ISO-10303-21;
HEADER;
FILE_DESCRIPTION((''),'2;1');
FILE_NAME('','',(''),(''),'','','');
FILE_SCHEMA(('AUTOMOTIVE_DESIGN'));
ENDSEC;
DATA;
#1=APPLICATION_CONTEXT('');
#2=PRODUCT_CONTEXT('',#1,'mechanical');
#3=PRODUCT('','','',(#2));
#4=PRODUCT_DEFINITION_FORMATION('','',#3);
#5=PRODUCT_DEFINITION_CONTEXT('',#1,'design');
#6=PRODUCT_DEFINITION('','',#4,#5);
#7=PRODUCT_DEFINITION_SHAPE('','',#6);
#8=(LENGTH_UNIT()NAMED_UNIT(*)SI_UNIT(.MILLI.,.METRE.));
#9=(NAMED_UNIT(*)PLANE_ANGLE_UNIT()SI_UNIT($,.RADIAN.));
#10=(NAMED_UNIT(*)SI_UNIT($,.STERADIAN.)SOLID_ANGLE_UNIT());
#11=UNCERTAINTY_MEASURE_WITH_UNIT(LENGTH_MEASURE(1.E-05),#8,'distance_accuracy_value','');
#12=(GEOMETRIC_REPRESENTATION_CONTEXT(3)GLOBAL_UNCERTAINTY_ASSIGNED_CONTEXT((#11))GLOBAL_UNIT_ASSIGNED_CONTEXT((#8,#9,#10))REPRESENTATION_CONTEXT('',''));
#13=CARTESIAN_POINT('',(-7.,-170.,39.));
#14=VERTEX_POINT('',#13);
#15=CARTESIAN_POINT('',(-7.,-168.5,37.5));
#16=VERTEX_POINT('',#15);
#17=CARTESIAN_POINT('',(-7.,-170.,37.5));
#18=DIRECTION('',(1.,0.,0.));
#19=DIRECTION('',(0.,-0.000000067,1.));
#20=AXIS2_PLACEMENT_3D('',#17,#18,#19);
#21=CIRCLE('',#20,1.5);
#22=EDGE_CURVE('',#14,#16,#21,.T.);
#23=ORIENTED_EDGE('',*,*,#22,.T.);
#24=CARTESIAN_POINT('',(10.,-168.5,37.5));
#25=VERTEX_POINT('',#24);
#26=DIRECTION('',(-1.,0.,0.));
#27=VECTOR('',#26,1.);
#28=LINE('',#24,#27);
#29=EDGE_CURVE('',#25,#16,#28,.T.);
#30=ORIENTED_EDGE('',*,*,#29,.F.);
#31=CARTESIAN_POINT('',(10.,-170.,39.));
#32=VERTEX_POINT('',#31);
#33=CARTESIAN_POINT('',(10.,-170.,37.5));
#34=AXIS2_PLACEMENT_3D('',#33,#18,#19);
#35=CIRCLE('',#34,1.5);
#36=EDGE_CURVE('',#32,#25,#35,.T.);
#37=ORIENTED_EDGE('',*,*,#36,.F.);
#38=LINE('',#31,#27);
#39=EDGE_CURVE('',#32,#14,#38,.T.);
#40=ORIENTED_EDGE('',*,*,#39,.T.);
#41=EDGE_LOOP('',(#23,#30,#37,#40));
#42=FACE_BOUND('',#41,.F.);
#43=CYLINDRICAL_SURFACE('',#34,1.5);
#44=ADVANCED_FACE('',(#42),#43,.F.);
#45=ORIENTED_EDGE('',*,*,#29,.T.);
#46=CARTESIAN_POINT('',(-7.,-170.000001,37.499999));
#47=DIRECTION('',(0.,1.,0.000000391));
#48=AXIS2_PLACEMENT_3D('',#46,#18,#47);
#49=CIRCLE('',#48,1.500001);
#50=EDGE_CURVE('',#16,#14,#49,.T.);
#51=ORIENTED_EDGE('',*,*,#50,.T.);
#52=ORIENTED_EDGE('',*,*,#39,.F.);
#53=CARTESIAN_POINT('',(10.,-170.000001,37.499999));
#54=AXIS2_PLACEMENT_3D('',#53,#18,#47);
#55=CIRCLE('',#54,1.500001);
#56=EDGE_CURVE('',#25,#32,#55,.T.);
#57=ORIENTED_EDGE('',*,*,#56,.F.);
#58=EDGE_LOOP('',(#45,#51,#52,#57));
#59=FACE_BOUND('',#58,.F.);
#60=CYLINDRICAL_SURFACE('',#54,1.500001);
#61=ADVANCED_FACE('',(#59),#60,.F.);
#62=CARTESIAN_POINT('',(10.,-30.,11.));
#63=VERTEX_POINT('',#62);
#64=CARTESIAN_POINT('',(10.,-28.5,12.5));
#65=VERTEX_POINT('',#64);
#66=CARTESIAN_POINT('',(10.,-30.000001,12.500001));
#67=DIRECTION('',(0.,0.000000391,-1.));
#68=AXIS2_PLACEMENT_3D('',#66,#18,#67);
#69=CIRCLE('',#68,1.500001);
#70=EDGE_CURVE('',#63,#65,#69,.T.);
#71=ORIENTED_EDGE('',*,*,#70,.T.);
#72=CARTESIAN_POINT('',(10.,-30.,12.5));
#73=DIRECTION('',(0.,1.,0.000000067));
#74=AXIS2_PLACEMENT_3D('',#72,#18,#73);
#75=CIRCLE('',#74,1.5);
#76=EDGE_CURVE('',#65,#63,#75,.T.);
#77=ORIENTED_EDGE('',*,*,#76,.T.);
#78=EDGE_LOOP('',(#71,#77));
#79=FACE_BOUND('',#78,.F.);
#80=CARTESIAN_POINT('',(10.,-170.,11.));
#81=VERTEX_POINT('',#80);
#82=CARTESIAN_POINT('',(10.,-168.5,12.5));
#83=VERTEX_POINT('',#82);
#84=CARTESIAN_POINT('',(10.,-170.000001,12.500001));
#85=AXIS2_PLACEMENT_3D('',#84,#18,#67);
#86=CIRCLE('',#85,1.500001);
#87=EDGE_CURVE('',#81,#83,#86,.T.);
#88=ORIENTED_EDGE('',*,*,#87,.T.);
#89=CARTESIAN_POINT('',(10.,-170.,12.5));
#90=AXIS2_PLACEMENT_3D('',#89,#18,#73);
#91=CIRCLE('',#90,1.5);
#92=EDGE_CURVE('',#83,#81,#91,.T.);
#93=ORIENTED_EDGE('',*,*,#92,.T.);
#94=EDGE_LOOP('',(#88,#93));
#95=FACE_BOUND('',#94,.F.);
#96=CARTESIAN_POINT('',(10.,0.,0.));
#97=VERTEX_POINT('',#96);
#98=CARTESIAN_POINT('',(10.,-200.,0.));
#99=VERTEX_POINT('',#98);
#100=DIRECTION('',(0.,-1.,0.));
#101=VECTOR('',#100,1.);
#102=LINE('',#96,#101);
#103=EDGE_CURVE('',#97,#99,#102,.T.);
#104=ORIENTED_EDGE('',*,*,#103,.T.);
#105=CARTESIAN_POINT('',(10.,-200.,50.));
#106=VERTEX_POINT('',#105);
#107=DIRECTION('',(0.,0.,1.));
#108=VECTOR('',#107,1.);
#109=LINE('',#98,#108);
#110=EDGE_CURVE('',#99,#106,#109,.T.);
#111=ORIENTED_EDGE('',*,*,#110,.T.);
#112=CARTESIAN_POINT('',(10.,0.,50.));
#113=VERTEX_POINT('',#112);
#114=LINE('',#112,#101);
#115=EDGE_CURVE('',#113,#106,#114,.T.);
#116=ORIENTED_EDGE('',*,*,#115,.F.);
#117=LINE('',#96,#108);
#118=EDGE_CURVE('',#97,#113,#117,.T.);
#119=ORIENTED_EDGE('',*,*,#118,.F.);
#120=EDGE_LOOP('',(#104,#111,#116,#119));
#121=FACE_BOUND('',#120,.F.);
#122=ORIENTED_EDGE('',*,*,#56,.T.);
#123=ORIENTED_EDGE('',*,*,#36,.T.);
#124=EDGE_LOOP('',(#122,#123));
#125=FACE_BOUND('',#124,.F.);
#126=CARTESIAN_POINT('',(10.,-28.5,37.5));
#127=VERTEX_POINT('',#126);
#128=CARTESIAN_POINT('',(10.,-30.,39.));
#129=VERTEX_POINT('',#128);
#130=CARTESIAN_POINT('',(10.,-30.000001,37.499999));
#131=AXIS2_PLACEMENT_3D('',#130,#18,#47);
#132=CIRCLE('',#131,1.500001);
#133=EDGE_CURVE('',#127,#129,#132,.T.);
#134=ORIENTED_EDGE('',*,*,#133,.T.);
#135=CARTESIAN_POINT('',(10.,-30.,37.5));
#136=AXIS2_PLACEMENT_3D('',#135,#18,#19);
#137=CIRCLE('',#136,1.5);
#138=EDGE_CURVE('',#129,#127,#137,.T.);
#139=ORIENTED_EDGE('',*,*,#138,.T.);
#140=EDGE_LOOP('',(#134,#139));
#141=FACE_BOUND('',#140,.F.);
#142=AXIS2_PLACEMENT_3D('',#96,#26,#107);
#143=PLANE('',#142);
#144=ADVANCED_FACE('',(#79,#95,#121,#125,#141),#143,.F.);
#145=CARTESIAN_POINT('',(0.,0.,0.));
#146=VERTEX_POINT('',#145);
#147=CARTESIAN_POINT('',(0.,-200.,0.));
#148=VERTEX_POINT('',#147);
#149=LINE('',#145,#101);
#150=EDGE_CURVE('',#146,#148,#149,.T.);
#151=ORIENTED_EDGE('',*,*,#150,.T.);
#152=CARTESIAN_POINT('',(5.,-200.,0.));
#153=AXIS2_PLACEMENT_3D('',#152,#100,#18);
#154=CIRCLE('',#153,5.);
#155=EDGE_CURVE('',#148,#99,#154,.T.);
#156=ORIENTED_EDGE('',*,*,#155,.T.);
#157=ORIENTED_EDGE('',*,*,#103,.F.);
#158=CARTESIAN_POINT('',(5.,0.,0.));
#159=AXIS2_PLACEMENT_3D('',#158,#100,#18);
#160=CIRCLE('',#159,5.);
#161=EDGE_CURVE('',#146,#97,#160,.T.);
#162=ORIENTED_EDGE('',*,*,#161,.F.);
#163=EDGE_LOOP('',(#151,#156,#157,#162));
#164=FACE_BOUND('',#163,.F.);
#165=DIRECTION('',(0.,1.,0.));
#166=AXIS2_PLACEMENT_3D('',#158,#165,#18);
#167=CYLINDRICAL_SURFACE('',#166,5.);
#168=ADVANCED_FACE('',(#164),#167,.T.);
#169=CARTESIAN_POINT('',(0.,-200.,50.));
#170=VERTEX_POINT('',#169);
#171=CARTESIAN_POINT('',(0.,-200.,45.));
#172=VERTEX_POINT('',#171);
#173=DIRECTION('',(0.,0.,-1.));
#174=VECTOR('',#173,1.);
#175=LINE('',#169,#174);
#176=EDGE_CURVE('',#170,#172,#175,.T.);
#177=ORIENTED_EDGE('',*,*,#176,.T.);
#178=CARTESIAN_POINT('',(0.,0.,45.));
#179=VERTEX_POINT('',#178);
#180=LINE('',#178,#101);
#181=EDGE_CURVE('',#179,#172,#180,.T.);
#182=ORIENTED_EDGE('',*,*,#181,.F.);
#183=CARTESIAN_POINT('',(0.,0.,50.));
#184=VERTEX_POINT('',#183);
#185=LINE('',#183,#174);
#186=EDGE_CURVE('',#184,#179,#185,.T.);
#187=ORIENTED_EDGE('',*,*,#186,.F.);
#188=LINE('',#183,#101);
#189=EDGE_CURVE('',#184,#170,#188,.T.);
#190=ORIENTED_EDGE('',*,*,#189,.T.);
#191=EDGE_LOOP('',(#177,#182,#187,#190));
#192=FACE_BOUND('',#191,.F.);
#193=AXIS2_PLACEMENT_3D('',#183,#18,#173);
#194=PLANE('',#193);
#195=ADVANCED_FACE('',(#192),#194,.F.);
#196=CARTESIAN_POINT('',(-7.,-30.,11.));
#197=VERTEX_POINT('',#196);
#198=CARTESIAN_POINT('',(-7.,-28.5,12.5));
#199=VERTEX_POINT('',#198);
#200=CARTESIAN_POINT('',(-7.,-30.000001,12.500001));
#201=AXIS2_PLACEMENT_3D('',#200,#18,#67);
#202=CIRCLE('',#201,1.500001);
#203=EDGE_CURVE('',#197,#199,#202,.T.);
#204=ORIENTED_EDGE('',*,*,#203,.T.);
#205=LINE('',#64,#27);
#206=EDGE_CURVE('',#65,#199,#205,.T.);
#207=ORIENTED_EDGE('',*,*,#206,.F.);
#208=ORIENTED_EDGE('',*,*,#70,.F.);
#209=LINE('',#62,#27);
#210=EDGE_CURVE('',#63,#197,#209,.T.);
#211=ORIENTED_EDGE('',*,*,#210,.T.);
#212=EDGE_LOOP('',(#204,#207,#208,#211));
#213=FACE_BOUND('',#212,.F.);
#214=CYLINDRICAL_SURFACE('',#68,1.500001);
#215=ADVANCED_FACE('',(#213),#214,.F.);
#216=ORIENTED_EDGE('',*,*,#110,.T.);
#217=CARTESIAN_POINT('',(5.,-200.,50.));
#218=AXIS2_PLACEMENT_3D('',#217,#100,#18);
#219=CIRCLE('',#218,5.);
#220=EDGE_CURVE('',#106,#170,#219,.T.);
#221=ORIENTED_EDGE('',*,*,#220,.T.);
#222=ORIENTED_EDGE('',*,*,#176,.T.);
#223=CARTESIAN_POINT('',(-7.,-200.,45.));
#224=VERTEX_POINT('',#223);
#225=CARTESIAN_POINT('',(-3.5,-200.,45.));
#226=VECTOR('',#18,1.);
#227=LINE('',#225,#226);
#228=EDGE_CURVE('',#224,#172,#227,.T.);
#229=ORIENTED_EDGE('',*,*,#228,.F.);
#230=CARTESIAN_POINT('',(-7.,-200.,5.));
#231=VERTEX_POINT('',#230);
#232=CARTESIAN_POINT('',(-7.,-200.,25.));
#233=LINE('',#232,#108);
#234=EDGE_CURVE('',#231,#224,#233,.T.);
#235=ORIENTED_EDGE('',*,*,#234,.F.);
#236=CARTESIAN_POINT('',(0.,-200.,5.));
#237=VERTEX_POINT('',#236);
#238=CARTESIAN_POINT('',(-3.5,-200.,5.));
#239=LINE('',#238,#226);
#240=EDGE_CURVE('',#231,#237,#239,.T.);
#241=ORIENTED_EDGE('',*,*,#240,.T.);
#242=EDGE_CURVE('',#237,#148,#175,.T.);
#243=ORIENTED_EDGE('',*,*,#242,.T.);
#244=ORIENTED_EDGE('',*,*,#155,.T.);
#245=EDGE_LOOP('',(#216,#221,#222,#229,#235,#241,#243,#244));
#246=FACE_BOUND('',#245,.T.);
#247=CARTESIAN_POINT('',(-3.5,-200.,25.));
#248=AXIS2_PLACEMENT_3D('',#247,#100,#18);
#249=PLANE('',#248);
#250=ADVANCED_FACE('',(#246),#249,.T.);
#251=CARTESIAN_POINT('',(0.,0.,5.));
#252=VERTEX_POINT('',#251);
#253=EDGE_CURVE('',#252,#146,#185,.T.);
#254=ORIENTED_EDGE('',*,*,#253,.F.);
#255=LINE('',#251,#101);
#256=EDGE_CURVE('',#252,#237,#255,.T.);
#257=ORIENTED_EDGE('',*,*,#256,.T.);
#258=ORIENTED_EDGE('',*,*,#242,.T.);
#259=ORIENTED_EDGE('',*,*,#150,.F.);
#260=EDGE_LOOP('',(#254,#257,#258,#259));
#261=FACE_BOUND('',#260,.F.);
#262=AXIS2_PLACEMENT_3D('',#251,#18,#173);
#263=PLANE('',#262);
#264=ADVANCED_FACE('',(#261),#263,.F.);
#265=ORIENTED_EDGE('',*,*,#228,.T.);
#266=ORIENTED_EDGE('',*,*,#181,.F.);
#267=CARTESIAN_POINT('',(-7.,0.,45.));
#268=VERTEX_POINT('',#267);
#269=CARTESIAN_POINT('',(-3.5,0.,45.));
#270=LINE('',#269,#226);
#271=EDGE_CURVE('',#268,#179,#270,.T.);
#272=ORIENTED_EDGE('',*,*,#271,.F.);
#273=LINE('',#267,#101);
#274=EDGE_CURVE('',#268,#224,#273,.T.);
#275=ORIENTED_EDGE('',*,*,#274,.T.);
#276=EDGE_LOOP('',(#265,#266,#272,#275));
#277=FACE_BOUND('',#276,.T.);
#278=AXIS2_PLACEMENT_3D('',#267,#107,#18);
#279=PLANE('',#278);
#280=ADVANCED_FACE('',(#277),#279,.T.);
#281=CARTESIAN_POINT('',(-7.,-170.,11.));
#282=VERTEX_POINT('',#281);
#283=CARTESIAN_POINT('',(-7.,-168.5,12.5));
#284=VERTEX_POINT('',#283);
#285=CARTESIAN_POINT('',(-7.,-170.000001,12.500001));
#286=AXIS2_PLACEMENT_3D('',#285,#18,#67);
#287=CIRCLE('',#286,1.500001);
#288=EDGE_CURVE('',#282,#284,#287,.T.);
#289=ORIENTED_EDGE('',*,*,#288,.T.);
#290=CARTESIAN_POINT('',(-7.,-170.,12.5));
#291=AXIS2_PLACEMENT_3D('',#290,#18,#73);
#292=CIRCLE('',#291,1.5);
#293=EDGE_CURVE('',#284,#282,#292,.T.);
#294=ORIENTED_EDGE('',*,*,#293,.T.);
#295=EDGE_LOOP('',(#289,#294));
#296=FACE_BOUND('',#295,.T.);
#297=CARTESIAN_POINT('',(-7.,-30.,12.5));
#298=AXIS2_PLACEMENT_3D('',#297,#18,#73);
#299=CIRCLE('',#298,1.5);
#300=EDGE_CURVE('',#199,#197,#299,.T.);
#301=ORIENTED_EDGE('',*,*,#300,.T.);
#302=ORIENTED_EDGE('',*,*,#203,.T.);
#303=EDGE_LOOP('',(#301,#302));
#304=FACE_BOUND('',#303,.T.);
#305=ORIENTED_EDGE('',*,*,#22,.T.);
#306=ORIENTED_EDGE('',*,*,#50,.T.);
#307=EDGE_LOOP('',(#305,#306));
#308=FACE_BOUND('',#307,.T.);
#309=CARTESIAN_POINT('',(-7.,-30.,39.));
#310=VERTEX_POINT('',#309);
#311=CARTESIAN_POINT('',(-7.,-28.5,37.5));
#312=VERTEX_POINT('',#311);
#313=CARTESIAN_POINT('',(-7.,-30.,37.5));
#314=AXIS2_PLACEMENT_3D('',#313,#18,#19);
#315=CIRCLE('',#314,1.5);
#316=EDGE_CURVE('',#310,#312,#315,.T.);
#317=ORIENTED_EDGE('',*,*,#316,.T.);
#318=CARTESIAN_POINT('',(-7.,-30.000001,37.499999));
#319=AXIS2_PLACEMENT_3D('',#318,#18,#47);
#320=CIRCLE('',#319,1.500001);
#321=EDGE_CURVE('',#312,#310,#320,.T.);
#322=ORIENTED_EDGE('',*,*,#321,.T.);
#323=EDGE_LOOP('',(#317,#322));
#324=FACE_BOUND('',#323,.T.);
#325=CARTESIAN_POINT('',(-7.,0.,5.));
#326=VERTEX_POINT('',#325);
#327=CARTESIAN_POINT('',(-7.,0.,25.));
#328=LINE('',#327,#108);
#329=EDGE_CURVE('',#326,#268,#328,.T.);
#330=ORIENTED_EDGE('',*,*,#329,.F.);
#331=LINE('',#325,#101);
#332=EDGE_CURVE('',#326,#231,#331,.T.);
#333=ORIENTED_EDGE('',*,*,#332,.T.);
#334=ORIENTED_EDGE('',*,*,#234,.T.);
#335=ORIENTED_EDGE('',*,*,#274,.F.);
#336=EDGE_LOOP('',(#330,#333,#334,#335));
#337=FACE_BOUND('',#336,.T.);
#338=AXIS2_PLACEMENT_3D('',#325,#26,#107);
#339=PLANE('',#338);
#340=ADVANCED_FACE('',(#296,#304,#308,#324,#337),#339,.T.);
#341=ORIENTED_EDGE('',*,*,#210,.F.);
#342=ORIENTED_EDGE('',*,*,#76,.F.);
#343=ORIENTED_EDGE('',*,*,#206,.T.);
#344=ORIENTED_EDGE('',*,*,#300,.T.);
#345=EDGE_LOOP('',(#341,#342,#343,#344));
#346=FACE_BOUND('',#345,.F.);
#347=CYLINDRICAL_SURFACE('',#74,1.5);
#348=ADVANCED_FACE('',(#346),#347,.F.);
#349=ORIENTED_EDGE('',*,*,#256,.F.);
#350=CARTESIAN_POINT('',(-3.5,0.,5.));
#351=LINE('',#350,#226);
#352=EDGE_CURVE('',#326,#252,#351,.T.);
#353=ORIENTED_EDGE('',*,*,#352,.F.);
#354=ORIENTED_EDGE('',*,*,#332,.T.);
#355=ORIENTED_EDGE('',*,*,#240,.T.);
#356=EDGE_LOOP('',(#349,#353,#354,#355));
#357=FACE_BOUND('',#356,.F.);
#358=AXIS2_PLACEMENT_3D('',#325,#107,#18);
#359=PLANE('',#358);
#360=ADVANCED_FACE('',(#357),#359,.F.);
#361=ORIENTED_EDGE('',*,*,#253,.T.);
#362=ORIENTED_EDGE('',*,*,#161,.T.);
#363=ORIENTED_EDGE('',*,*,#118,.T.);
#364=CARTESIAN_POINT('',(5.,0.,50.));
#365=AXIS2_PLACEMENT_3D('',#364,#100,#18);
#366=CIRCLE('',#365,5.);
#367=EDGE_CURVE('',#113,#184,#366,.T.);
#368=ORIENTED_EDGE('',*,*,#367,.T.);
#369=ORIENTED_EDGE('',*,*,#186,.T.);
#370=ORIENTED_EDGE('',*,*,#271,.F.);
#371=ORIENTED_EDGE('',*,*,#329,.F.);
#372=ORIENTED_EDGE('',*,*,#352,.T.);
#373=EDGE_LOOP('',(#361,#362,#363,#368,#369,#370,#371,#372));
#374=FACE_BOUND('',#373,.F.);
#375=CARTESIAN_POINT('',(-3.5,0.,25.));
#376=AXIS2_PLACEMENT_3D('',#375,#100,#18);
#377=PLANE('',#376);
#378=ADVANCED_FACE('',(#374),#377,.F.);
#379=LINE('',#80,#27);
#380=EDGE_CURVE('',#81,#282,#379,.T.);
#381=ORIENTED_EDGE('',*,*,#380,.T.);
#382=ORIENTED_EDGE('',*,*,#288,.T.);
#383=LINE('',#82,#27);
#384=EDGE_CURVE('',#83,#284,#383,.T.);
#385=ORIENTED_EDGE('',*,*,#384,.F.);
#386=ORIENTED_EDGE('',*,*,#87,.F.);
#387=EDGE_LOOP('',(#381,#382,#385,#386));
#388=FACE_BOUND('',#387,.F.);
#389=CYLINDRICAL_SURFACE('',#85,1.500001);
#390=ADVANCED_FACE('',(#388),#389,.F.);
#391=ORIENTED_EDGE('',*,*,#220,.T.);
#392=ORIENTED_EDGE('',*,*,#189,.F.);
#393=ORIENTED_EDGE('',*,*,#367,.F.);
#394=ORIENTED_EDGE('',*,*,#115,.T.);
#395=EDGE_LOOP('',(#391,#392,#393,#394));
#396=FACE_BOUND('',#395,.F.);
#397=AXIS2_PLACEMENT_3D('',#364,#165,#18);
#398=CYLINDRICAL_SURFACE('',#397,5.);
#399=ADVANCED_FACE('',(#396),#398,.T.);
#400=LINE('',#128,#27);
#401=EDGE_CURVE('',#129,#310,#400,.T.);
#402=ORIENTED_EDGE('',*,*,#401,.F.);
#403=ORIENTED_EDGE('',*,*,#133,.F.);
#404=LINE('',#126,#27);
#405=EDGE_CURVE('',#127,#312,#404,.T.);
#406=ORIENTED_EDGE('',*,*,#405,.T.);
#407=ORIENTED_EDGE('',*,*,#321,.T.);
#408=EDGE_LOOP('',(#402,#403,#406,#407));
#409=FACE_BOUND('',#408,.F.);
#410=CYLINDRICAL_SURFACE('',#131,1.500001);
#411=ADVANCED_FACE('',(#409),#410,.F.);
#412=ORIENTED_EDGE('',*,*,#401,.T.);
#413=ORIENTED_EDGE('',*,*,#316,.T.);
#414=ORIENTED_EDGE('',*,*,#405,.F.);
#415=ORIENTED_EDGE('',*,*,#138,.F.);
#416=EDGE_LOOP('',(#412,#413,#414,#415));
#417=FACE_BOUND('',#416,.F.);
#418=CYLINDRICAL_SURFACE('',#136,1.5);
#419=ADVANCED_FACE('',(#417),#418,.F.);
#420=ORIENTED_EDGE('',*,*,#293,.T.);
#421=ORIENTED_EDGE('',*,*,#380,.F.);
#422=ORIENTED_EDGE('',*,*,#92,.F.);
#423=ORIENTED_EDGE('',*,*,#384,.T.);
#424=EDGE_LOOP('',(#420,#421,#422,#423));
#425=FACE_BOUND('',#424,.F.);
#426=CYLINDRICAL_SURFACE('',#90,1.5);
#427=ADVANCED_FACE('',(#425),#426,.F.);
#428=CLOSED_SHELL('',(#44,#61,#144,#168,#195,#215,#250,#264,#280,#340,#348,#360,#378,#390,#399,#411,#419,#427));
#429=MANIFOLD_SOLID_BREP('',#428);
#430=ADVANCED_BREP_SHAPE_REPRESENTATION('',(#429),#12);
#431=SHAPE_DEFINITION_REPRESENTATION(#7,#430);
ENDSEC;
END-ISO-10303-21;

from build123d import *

# Parameters (mm, degrees)
F0_W     = 7
F0_H     = 40
F1_DEPTH = 200
F3_DEPTH = 25


with BuildPart() as f1:
    # F0 (on Front) → F1 (new body)
    with BuildSketch(Plane.XZ):
        with Locations((-3.5, 25)):
            Rectangle(F0_W, F0_H)
        with BuildLine():
            Line((10, 0), (0, 0))
            ThreePointArc((0, 0), (5, -5), (10, 0))
        make_face()
        with BuildLine():
            ThreePointArc((10, 0), (5, 5), (0, 0))
            Line((0, 0), (10, 0))
        make_face()
        with BuildLine():
            ThreePointArc((0, 50), (5, 45), (10, 50))
            Line((10, 50), (0, 50))
        make_face()
        with BuildLine():
            Line((0, 50), (10, 50))
            ThreePointArc((10, 50), (5, 55), (0, 50))
        make_face()
        with BuildLine():
            Line((0, 5), (0, 0))
            ThreePointArc((0, 0), (5, 5), (10, 0))
            Line((10, 0), (10, 50))
            ThreePointArc((10, 50), (5, 45), (0, 50))
            Line((0, 50), (0, 45))
            Line((0, 45), (0, 5))
        make_face()
    extrude(amount=F1_DEPTH)

    # F2 (on face) → F3 (cut)
    with BuildSketch(Plane.YZ.offset(10)):
        with BuildLine():
            ThreePointArc((-168.5, 37.5), (-168.93934, 38.56066), (-170, 39))
            ThreePointArc((-170, 39), (-171.06066, 36.43934), (-168.5, 37.5))
        make_face()
        with BuildLine():
            ThreePointArc((-168.5, 12.5), (-171.06066, 13.56066), (-170, 11))
            ThreePointArc((-170, 11), (-168.93934, 11.43934), (-168.5, 12.5))
        make_face()
        with BuildLine():
            ThreePointArc((-28.5, 12.5), (-31.06066, 13.56066), (-30, 11))
            ThreePointArc((-30, 11), (-28.93934, 11.43934), (-28.5, 12.5))
        make_face()
        with BuildLine():
            ThreePointArc((-28.5, 37.5), (-28.93934, 38.56066), (-30, 39))
            ThreePointArc((-30, 39), (-31.06066, 36.43934), (-28.5, 37.5))
        make_face()
    extrude(amount=-F3_DEPTH, mode=Mode.SUBTRACT)


solid = f1.part
